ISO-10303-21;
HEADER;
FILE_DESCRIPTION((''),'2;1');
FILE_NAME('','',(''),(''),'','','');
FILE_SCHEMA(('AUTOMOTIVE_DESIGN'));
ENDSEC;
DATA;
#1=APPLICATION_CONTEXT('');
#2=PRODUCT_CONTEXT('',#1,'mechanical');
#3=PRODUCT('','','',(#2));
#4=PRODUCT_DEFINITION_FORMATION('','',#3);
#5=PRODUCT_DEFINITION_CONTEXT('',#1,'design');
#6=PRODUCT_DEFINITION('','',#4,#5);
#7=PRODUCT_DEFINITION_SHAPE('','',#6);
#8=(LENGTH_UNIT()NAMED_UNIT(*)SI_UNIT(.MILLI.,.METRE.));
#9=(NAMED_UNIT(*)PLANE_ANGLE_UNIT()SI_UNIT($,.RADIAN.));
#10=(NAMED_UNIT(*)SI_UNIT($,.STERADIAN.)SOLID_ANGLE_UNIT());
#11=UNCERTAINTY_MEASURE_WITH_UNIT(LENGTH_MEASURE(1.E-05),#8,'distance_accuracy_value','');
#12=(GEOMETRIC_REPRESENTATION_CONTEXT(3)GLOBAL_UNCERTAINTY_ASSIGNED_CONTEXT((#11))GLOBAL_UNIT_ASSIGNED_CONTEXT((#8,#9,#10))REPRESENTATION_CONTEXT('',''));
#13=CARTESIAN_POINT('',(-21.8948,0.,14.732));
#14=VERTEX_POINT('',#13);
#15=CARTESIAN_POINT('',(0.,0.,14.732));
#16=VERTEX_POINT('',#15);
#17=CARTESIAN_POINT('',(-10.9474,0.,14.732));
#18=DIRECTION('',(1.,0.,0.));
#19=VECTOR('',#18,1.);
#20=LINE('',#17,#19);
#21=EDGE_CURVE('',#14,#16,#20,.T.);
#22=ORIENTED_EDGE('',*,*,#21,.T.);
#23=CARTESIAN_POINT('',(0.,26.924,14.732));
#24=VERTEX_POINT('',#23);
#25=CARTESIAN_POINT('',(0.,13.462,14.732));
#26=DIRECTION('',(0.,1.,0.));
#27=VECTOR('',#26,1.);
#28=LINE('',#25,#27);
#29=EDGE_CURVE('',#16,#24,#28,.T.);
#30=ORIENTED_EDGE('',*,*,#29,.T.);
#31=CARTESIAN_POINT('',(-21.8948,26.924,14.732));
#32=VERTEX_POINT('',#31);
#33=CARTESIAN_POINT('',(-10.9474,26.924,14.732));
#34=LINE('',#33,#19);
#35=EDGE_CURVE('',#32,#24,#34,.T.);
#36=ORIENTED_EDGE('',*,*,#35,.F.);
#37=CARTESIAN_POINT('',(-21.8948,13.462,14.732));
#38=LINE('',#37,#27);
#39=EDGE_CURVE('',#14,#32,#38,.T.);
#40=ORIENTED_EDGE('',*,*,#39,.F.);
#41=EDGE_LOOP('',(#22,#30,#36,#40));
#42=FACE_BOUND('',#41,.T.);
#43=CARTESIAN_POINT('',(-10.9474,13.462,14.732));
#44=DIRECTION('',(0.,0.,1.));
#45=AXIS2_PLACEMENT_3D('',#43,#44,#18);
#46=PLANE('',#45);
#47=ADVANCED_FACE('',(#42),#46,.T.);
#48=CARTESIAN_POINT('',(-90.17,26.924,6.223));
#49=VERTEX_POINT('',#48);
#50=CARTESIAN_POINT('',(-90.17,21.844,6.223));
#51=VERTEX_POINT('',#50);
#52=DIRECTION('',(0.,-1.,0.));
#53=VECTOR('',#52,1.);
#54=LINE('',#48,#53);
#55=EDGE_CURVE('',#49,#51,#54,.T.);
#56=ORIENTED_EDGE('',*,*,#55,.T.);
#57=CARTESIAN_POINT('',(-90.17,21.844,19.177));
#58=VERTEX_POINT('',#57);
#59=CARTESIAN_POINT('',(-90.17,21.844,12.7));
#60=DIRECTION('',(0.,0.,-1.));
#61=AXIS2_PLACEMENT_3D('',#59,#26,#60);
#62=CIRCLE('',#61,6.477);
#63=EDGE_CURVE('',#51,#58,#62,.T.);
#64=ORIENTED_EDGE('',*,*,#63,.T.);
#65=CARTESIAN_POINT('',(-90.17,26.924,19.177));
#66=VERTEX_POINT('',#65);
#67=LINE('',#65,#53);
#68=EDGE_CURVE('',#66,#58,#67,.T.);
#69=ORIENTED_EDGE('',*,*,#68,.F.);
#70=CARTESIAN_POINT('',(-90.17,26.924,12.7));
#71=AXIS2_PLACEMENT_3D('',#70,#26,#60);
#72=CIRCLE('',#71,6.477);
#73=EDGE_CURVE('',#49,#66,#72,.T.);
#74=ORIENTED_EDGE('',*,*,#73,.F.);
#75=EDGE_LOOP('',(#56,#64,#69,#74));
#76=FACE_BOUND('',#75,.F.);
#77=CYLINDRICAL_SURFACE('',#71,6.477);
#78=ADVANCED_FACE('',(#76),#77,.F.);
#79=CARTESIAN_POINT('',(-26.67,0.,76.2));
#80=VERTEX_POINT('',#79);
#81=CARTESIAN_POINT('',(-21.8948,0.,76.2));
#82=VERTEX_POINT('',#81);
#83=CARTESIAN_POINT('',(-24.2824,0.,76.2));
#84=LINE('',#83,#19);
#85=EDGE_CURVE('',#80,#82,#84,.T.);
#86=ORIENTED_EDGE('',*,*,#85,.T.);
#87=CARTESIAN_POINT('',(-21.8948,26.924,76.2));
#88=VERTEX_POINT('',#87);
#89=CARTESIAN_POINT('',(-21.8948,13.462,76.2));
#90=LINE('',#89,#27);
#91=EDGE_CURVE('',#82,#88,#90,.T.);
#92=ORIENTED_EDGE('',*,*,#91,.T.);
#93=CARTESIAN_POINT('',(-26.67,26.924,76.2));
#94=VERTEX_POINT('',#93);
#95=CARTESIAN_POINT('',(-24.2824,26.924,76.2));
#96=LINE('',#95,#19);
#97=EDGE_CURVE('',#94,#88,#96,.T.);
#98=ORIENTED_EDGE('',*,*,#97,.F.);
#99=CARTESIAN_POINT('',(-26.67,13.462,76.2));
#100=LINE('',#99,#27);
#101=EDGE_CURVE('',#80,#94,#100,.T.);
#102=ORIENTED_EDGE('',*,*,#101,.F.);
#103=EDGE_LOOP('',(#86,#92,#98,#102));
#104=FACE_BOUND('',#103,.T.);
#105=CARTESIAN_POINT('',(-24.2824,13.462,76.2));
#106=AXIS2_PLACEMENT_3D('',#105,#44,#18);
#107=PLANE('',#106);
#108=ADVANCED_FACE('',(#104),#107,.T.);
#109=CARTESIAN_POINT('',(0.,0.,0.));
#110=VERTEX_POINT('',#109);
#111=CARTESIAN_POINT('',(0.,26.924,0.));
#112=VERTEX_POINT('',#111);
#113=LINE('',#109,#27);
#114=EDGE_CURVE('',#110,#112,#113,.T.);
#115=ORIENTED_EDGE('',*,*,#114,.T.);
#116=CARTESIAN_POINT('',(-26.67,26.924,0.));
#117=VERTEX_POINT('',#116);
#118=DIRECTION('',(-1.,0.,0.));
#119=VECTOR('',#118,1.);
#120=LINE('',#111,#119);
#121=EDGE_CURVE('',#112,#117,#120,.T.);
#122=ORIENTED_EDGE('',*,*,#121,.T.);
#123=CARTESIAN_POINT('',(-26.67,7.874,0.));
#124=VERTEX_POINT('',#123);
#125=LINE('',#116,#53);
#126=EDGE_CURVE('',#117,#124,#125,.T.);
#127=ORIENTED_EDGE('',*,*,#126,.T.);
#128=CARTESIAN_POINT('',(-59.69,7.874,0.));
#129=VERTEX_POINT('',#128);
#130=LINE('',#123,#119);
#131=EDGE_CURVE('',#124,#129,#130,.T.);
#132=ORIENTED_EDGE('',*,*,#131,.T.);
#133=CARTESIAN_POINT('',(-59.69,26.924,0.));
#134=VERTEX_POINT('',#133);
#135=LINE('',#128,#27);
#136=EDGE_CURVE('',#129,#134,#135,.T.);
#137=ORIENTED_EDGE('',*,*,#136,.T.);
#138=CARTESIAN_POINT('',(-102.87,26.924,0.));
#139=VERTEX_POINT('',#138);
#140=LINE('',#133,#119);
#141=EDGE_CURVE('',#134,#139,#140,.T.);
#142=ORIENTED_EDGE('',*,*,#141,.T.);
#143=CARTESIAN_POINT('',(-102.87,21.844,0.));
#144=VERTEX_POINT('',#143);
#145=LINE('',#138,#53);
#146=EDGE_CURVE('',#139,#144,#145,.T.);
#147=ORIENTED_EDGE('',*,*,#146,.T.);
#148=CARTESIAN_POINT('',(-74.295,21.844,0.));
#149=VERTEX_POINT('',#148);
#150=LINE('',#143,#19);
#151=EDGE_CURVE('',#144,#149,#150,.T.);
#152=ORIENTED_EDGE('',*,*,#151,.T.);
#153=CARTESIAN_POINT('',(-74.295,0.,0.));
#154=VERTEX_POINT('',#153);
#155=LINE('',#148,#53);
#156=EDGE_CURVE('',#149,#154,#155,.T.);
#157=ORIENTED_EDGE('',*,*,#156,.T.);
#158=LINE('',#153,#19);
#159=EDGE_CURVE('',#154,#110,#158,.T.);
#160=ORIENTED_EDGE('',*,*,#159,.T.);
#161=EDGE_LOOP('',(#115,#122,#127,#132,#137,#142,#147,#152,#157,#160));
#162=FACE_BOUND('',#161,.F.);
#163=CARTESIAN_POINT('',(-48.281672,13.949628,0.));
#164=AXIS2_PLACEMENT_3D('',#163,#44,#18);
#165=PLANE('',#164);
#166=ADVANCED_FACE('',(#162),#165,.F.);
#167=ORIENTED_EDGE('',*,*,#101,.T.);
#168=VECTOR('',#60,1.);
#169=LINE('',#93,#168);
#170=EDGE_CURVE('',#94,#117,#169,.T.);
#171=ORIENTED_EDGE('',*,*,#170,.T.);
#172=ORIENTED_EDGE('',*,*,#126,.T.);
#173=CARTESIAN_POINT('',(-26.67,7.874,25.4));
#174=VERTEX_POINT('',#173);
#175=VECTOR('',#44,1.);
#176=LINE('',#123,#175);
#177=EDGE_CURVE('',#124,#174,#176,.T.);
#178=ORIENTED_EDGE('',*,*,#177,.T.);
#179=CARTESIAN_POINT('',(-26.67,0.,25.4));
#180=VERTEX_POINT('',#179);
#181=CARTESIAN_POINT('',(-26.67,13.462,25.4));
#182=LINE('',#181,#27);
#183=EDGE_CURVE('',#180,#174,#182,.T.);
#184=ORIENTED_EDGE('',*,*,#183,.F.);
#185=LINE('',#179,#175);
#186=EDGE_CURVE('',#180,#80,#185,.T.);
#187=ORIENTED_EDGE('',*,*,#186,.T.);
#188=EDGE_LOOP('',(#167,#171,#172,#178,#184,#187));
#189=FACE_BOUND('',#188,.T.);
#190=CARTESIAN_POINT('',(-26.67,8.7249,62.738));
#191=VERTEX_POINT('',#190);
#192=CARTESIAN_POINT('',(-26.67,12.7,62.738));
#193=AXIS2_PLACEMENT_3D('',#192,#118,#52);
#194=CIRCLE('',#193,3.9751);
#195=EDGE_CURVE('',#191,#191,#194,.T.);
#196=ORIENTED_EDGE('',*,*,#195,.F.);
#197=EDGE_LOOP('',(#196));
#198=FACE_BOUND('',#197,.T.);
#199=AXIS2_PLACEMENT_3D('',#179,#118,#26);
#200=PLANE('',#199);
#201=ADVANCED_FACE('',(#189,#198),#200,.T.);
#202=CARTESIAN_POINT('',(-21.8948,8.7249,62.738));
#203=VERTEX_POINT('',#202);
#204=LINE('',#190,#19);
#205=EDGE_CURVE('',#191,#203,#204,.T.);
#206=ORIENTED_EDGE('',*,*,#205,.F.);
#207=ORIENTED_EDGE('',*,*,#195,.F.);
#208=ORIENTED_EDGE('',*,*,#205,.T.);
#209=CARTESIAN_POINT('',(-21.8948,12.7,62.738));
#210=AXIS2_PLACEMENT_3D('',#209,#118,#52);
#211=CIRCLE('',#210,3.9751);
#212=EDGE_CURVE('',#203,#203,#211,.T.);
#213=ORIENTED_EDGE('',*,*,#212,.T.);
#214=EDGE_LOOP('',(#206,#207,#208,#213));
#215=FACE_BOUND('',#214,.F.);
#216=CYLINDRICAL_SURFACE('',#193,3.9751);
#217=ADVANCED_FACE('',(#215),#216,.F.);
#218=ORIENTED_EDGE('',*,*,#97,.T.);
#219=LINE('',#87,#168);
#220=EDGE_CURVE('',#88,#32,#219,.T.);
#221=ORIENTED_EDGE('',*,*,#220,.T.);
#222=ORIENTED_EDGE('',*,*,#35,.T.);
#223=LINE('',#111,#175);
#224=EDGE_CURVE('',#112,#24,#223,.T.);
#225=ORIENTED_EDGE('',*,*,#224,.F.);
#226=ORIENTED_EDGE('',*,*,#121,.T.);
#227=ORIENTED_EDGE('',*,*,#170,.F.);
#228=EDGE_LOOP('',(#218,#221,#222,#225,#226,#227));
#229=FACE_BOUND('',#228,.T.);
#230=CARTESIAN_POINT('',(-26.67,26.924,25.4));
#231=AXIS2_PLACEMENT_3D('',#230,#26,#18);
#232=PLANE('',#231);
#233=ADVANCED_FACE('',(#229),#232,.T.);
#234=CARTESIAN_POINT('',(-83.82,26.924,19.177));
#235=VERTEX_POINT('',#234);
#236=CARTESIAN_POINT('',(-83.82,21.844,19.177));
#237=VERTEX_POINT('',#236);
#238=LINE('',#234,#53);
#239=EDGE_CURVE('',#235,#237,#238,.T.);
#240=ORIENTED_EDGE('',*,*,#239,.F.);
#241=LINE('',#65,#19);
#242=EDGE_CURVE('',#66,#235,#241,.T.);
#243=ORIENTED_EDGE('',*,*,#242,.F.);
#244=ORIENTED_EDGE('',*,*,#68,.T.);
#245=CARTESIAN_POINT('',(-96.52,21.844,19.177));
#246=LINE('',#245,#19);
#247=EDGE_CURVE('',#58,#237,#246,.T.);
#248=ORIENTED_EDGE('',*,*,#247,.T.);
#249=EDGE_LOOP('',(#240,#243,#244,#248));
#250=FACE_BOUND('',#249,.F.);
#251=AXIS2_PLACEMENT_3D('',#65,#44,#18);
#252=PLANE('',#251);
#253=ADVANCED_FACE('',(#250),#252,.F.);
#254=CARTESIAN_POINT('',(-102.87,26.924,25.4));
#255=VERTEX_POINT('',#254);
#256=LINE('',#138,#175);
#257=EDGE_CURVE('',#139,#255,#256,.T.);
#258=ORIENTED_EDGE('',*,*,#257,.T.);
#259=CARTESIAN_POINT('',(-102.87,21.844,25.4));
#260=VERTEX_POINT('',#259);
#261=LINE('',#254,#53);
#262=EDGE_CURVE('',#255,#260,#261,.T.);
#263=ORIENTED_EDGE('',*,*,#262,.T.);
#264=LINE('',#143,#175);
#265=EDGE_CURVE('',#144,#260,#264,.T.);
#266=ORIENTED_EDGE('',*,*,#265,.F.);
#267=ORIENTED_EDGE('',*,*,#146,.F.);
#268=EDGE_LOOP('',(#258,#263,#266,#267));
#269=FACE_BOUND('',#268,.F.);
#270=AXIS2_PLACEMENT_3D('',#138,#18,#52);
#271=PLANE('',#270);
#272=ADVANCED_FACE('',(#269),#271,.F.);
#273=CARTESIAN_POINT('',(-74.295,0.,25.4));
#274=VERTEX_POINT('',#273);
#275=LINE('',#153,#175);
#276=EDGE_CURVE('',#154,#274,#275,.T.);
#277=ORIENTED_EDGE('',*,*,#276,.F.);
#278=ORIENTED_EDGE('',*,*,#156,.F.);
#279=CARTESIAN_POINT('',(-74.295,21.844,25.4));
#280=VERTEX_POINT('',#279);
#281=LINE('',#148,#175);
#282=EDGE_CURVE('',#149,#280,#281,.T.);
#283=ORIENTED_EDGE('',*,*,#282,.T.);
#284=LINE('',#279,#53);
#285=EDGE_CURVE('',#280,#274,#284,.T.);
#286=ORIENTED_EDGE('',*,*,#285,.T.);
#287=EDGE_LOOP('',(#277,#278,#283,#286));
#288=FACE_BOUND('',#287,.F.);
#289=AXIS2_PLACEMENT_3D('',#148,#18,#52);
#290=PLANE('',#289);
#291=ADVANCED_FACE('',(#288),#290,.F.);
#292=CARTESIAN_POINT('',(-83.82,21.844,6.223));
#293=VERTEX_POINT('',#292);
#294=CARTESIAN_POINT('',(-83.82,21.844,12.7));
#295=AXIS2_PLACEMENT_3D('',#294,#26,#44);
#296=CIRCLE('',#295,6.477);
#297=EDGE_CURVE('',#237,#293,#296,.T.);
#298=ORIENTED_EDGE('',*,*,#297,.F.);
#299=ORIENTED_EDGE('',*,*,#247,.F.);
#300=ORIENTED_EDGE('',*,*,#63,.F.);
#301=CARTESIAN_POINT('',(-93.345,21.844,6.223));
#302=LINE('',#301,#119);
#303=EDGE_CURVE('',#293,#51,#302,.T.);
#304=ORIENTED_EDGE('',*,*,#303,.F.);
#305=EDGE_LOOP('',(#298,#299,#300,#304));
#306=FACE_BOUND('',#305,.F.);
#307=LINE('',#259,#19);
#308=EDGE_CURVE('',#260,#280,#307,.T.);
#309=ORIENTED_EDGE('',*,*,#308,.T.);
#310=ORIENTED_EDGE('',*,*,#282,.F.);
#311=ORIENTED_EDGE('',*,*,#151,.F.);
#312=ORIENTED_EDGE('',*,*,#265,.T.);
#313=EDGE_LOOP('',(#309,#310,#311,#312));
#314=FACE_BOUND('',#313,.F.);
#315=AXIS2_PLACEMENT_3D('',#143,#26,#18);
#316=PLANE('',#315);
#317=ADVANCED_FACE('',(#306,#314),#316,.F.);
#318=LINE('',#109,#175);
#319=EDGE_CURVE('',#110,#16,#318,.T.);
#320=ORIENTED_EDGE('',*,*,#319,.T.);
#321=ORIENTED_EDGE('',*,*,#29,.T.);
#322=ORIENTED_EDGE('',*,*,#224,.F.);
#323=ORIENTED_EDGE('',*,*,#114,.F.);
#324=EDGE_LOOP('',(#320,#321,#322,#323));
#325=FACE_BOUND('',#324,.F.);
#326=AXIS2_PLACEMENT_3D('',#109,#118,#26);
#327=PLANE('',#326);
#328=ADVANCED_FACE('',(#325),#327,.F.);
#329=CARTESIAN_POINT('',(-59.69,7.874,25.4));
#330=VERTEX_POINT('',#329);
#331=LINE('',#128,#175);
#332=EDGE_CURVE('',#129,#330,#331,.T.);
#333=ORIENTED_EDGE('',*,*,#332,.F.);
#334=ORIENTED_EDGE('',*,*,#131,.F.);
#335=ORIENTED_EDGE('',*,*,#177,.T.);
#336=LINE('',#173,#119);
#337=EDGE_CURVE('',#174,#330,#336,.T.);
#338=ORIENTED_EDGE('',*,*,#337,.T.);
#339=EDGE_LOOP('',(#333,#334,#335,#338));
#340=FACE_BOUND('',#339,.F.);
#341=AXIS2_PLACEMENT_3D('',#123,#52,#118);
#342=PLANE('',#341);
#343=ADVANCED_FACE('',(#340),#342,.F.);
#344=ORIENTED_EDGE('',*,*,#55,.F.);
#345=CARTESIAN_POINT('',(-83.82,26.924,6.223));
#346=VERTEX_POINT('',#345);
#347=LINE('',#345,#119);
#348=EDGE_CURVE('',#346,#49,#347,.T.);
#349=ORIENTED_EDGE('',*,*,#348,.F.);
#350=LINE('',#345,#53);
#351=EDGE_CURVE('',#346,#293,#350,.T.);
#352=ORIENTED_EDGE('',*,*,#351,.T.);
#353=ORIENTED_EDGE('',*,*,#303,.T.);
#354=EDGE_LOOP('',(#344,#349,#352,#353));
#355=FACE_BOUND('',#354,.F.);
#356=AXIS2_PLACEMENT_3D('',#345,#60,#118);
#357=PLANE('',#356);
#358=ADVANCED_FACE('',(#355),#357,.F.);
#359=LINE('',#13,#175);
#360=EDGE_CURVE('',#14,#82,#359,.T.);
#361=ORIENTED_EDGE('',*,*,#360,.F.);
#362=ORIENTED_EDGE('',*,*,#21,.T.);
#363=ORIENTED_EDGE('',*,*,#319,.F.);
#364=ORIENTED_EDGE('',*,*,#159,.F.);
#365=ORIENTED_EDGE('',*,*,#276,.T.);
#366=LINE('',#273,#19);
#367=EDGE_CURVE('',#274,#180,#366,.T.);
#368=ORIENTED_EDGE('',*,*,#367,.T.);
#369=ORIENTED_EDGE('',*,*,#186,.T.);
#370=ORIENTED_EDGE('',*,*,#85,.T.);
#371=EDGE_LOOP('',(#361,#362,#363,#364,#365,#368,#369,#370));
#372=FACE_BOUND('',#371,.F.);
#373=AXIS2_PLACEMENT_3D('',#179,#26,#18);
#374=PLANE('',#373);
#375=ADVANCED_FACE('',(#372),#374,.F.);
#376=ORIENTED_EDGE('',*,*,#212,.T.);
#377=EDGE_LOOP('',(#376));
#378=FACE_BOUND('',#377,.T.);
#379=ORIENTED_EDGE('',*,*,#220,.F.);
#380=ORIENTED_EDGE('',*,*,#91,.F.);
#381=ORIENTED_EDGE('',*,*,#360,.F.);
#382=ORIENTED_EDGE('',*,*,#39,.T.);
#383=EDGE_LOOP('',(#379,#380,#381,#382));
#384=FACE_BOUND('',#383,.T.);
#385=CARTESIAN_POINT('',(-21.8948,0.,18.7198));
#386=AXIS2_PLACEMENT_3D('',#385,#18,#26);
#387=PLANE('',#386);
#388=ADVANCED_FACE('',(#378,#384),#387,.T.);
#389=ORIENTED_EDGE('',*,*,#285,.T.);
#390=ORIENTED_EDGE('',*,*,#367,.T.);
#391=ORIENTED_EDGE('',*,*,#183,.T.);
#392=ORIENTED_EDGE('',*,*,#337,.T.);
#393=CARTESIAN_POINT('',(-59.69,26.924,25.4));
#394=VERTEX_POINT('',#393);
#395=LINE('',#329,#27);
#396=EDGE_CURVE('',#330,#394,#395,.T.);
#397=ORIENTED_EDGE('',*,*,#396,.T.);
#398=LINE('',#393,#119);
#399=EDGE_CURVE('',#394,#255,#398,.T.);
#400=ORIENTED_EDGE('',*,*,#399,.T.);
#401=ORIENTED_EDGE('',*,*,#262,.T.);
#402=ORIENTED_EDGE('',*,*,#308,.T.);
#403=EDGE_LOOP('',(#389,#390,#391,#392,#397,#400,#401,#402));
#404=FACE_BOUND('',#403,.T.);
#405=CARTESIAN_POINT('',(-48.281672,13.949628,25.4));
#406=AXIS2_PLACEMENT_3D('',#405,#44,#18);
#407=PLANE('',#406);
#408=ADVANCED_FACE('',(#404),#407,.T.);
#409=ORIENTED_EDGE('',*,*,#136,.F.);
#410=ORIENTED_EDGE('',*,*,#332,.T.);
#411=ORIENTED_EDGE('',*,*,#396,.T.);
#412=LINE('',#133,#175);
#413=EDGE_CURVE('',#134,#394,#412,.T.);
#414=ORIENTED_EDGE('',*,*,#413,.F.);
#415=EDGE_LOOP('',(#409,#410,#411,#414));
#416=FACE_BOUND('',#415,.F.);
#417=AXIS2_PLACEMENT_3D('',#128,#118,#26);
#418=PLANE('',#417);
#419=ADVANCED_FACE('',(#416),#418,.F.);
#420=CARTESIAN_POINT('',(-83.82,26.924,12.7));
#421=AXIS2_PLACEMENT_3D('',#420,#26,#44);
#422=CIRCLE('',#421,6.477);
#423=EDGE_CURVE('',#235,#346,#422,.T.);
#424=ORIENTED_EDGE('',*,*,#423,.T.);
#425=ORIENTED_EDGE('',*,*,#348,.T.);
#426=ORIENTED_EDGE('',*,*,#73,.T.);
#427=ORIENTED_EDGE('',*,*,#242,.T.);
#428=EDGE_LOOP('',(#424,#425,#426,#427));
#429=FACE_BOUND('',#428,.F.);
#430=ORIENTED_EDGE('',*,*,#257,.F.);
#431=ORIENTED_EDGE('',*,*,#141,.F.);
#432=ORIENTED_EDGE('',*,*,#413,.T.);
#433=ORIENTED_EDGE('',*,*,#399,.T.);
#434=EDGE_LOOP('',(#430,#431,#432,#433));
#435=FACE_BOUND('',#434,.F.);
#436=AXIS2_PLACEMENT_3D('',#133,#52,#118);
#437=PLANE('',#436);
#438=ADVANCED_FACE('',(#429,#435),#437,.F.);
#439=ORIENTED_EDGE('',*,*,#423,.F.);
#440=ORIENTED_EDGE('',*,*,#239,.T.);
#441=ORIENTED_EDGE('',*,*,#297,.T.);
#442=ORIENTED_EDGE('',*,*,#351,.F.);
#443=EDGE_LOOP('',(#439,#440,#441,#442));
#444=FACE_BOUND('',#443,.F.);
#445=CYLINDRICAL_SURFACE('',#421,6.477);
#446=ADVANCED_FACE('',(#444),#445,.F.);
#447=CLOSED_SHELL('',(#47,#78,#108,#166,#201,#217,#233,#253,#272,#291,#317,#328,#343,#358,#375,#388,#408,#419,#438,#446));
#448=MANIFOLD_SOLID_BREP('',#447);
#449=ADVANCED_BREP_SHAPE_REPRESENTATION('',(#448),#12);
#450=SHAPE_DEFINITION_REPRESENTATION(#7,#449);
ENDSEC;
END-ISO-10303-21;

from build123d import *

# Parameters (mm, degrees)
F1_DEPTH  = 25.4
F3_DEPTH  = 127
F4_W      = 4.7752
F4_H      = 26.924
F5_DEPTH  = 50.8
F6_R      = 3.9751
F7_DEPTH  = 25.4
F8_W      = 26.924
F8_H      = 57.4802
F9_DEPTH  = 25.4
F10_W     = 21.8948
F10_H     = 26.924
F11_DEPTH = 3.9878


with BuildPart() as f1:
    # F0 (on Top) → F1 (new body)
    with BuildSketch(Plane.XY):
        Polygon((-74.295, 0), (0, 0), (0, 26.924), (-26.67, 26.924), (-26.67, 7.874), (-59.69, 7.874), (-59.69, 26.924), (-102.87, 26.924), (-102.87, 21.844), (-74.295, 21.844), align=None)
    extrude(amount=F1_DEPTH)

    # F2 (on face) → F3 (cut)
    with BuildSketch(Plane(origin=(0, 26.924, 0), x_dir=(-1, 0, 0), z_dir=(0, 1, 0))):
        with BuildLine():
            Line((90.17, 19.177), (90.17, 6.223))
            ThreePointArc((90.17, 6.223), (96.647, 12.7), (90.17, 19.177))
        make_face()
        with BuildLine():
            Line((83.82, 6.223), (90.17, 6.223))
            Line((90.17, 6.223), (90.17, 19.177))
            Line((90.17, 19.177), (83.82, 19.177))
            ThreePointArc((83.82, 19.177), (77.343, 12.7), (83.82, 6.223))
        make_face()
    extrude(amount=-F3_DEPTH, mode=Mode.SUBTRACT)

    # F4 (on face) → F5 (join)
    with BuildSketch(Plane.XY.offset(25.4)):
        with Locations((-24.2824, 13.462)):
            Rectangle(F4_W, F4_H)
    extrude(amount=F5_DEPTH)

    # F6 (on face) → F7 (cut)
    with BuildSketch(Plane(origin=(-26.67, 0, 0), x_dir=(0, -1, 0), z_dir=(-1, 0, 0))):
        with Locations((-12.7, 62.738)):
            Circle(F6_R)
    extrude(amount=-F7_DEPTH, mode=Mode.SUBTRACT)

    # F8 (on face) → F9 (cut)
    with BuildSketch(Plane.YZ.offset(-21.8948)):
        with Locations((13.462, 47.4599)):
            Rectangle(F8_W, F8_H)
    extrude(amount=F9_DEPTH, mode=Mode.SUBTRACT)

    # F10 (on face) → F11 (cut)
    with BuildSketch(Plane.XY.offset(18.7198)):
        with Locations((-10.9474, 13.462)):
            Rectangle(F10_W, F10_H)
    extrude(amount=-F11_DEPTH, mode=Mode.SUBTRACT)


solid = f1.part
